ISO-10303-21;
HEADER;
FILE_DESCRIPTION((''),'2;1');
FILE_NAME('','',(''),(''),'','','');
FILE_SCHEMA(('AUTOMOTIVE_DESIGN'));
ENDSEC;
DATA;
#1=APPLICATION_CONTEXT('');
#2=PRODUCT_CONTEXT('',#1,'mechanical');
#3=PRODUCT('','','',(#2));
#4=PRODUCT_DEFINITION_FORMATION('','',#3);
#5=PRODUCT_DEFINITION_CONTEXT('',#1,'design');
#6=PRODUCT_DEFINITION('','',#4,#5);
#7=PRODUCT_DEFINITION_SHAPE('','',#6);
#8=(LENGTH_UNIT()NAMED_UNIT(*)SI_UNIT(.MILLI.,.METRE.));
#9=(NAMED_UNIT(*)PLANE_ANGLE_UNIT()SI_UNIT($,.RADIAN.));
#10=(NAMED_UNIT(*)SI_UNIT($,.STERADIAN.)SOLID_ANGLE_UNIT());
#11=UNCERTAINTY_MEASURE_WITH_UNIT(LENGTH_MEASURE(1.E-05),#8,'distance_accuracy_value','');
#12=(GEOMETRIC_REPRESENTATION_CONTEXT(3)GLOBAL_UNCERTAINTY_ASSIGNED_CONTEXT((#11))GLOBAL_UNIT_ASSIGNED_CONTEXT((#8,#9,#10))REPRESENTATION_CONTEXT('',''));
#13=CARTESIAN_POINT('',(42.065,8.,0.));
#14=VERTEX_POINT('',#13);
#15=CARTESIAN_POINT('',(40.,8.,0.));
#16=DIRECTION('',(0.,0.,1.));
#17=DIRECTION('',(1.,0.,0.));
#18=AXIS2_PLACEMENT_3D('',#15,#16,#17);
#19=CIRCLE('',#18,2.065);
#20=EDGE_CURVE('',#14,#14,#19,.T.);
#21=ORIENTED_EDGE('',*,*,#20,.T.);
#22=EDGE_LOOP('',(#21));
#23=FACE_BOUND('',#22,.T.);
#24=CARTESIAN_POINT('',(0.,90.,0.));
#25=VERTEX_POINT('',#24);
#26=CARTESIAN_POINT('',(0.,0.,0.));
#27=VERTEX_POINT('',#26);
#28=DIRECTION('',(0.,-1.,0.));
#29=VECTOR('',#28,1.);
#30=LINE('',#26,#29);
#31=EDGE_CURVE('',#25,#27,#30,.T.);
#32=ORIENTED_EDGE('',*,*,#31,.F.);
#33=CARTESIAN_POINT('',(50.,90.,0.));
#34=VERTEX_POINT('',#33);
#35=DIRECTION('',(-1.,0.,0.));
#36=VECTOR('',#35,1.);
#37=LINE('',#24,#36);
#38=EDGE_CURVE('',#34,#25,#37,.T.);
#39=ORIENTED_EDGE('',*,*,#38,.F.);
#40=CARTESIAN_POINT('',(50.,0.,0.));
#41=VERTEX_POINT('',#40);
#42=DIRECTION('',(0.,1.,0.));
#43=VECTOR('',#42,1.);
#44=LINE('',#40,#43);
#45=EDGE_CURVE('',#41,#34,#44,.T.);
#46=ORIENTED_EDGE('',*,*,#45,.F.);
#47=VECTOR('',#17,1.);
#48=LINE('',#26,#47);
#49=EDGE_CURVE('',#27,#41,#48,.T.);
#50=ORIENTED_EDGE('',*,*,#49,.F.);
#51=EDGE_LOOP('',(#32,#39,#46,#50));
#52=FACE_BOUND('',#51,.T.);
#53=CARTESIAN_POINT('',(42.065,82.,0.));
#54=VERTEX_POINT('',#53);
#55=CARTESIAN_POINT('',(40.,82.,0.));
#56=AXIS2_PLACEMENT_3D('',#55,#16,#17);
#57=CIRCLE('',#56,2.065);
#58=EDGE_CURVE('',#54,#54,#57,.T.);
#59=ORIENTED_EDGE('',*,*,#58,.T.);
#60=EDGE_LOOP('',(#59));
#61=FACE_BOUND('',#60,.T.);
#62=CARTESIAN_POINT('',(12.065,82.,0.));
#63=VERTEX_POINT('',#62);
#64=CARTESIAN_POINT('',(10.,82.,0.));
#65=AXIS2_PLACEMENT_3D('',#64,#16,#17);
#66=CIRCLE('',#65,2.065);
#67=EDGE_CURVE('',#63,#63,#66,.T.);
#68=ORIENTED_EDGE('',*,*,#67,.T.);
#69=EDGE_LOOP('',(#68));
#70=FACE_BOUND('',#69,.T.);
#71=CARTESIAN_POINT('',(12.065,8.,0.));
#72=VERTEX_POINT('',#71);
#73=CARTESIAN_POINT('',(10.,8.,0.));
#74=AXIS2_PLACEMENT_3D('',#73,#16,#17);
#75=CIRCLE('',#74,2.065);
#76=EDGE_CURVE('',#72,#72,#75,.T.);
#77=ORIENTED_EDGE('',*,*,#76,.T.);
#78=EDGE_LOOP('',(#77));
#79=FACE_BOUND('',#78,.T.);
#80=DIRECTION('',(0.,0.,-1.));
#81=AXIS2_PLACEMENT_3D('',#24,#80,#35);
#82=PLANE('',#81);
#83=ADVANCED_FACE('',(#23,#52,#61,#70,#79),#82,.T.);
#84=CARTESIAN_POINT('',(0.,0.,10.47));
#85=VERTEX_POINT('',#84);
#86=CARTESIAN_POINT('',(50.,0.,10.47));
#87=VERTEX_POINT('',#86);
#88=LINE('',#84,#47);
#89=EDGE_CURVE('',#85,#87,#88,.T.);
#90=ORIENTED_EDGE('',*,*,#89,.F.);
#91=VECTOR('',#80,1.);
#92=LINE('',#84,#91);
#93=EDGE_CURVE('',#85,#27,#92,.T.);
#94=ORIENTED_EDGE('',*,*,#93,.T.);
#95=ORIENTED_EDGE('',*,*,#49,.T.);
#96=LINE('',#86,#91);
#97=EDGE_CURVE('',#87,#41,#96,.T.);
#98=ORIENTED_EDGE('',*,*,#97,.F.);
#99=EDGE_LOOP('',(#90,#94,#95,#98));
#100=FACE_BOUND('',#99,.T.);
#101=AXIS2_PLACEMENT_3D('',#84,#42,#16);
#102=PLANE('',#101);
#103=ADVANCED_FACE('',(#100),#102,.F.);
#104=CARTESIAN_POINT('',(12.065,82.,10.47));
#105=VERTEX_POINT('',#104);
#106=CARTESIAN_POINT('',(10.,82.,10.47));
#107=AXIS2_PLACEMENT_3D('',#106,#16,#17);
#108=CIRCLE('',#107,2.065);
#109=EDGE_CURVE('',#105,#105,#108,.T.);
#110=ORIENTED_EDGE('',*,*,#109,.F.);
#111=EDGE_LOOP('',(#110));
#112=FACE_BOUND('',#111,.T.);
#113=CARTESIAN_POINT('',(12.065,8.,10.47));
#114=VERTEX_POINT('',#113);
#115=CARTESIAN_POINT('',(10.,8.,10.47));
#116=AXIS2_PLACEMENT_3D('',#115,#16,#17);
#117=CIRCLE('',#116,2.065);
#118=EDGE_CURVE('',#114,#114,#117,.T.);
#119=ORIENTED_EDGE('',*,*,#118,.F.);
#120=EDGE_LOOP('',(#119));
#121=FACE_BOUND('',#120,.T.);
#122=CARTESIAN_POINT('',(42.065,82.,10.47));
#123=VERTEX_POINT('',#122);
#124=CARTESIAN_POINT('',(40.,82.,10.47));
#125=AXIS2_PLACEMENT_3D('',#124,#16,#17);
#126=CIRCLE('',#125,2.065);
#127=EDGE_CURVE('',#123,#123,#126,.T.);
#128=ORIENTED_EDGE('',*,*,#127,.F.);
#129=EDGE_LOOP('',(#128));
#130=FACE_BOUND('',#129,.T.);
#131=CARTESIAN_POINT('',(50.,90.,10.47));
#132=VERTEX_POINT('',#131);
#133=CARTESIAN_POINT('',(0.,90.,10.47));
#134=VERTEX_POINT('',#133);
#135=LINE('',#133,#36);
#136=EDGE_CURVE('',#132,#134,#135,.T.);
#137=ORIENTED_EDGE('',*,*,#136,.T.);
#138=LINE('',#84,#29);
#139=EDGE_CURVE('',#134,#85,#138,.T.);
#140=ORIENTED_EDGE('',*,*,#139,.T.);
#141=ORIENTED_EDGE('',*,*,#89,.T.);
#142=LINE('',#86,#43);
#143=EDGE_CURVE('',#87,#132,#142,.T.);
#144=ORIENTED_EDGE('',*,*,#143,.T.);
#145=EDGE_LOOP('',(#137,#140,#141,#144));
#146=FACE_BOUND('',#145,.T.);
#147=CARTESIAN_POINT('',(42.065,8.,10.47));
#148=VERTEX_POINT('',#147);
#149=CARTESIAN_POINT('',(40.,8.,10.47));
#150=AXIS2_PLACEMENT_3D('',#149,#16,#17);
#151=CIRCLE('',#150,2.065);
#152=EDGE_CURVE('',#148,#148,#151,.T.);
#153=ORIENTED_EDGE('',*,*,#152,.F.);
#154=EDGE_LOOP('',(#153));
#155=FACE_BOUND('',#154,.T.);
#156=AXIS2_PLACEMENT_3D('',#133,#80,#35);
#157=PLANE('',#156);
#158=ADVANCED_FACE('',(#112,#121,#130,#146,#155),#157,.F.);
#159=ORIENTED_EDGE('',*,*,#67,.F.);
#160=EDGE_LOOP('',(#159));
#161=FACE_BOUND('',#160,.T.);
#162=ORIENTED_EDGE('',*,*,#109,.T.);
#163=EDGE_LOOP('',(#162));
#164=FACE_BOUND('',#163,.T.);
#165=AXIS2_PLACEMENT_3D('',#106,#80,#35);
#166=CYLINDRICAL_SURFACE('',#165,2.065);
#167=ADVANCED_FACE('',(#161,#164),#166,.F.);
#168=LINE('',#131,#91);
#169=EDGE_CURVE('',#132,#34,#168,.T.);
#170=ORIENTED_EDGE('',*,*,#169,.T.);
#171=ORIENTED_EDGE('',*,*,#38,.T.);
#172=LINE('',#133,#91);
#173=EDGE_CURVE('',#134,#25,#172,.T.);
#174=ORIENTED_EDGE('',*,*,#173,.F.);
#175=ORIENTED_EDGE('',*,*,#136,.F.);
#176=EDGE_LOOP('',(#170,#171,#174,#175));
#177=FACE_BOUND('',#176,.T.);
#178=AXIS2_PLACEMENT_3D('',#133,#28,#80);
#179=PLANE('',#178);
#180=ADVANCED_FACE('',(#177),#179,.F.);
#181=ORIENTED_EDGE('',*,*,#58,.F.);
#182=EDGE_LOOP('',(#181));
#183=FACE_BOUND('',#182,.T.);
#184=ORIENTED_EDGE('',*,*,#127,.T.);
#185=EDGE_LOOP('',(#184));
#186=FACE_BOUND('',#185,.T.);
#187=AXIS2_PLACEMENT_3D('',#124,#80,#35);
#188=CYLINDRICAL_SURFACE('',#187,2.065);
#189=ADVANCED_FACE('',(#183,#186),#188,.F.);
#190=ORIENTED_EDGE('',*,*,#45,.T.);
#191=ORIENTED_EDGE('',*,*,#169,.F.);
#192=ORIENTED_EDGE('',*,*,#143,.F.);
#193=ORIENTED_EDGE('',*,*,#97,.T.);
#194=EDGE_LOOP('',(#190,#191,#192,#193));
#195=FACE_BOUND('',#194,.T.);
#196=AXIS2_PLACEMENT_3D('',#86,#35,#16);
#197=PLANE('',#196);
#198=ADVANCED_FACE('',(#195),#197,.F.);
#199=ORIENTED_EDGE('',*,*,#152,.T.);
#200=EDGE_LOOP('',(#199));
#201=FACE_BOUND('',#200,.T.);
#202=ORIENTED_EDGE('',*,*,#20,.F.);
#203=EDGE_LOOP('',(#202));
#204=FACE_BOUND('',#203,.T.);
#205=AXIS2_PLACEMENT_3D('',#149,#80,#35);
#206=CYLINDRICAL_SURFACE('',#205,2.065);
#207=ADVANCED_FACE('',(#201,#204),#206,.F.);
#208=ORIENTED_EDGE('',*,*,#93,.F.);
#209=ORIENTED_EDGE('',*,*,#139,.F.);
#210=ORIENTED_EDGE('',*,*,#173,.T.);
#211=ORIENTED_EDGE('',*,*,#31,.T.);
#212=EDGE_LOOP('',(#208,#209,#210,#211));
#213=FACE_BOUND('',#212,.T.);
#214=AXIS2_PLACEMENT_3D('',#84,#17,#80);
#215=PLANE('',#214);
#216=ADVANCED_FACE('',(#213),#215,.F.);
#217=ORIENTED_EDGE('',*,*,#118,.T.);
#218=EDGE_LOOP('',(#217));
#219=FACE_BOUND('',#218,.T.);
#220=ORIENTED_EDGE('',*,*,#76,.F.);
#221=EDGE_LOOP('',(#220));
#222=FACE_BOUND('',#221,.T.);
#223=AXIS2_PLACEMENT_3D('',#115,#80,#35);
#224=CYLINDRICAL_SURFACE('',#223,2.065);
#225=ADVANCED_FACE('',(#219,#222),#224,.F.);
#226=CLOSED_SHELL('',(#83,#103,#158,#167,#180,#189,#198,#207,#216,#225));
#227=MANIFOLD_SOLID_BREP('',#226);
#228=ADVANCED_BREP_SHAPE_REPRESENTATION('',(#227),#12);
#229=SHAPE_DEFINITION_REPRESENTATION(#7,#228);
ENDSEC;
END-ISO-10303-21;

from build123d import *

# Parameters (mm, degrees)
SKETCH1_W           = 50
SKETCH1_H           = 90
SKETCH1_R           = 2.065
BOSS_EXTRUDE1_DEPTH = 10.47


with BuildPart() as part:
    # Sketch1 → Boss-Extrude1 (new body)
    with BuildSketch(Plane.XY):
        with Locations((25, 45)):
            Rectangle(SKETCH1_W, SKETCH1_H)
        with Locations((40, 8)):
            Circle(SKETCH1_R, mode=Mode.SUBTRACT)
        with Locations((10, 8)):
            Circle(SKETCH1_R, mode=Mode.SUBTRACT)
        with Locations((40, 82)):
            Circle(SKETCH1_R, mode=Mode.SUBTRACT)
        with Locations((10, 82)):
            Circle(SKETCH1_R, mode=Mode.SUBTRACT)
    extrude(amount=BOSS_EXTRUDE1_DEPTH)


solid = part.part
